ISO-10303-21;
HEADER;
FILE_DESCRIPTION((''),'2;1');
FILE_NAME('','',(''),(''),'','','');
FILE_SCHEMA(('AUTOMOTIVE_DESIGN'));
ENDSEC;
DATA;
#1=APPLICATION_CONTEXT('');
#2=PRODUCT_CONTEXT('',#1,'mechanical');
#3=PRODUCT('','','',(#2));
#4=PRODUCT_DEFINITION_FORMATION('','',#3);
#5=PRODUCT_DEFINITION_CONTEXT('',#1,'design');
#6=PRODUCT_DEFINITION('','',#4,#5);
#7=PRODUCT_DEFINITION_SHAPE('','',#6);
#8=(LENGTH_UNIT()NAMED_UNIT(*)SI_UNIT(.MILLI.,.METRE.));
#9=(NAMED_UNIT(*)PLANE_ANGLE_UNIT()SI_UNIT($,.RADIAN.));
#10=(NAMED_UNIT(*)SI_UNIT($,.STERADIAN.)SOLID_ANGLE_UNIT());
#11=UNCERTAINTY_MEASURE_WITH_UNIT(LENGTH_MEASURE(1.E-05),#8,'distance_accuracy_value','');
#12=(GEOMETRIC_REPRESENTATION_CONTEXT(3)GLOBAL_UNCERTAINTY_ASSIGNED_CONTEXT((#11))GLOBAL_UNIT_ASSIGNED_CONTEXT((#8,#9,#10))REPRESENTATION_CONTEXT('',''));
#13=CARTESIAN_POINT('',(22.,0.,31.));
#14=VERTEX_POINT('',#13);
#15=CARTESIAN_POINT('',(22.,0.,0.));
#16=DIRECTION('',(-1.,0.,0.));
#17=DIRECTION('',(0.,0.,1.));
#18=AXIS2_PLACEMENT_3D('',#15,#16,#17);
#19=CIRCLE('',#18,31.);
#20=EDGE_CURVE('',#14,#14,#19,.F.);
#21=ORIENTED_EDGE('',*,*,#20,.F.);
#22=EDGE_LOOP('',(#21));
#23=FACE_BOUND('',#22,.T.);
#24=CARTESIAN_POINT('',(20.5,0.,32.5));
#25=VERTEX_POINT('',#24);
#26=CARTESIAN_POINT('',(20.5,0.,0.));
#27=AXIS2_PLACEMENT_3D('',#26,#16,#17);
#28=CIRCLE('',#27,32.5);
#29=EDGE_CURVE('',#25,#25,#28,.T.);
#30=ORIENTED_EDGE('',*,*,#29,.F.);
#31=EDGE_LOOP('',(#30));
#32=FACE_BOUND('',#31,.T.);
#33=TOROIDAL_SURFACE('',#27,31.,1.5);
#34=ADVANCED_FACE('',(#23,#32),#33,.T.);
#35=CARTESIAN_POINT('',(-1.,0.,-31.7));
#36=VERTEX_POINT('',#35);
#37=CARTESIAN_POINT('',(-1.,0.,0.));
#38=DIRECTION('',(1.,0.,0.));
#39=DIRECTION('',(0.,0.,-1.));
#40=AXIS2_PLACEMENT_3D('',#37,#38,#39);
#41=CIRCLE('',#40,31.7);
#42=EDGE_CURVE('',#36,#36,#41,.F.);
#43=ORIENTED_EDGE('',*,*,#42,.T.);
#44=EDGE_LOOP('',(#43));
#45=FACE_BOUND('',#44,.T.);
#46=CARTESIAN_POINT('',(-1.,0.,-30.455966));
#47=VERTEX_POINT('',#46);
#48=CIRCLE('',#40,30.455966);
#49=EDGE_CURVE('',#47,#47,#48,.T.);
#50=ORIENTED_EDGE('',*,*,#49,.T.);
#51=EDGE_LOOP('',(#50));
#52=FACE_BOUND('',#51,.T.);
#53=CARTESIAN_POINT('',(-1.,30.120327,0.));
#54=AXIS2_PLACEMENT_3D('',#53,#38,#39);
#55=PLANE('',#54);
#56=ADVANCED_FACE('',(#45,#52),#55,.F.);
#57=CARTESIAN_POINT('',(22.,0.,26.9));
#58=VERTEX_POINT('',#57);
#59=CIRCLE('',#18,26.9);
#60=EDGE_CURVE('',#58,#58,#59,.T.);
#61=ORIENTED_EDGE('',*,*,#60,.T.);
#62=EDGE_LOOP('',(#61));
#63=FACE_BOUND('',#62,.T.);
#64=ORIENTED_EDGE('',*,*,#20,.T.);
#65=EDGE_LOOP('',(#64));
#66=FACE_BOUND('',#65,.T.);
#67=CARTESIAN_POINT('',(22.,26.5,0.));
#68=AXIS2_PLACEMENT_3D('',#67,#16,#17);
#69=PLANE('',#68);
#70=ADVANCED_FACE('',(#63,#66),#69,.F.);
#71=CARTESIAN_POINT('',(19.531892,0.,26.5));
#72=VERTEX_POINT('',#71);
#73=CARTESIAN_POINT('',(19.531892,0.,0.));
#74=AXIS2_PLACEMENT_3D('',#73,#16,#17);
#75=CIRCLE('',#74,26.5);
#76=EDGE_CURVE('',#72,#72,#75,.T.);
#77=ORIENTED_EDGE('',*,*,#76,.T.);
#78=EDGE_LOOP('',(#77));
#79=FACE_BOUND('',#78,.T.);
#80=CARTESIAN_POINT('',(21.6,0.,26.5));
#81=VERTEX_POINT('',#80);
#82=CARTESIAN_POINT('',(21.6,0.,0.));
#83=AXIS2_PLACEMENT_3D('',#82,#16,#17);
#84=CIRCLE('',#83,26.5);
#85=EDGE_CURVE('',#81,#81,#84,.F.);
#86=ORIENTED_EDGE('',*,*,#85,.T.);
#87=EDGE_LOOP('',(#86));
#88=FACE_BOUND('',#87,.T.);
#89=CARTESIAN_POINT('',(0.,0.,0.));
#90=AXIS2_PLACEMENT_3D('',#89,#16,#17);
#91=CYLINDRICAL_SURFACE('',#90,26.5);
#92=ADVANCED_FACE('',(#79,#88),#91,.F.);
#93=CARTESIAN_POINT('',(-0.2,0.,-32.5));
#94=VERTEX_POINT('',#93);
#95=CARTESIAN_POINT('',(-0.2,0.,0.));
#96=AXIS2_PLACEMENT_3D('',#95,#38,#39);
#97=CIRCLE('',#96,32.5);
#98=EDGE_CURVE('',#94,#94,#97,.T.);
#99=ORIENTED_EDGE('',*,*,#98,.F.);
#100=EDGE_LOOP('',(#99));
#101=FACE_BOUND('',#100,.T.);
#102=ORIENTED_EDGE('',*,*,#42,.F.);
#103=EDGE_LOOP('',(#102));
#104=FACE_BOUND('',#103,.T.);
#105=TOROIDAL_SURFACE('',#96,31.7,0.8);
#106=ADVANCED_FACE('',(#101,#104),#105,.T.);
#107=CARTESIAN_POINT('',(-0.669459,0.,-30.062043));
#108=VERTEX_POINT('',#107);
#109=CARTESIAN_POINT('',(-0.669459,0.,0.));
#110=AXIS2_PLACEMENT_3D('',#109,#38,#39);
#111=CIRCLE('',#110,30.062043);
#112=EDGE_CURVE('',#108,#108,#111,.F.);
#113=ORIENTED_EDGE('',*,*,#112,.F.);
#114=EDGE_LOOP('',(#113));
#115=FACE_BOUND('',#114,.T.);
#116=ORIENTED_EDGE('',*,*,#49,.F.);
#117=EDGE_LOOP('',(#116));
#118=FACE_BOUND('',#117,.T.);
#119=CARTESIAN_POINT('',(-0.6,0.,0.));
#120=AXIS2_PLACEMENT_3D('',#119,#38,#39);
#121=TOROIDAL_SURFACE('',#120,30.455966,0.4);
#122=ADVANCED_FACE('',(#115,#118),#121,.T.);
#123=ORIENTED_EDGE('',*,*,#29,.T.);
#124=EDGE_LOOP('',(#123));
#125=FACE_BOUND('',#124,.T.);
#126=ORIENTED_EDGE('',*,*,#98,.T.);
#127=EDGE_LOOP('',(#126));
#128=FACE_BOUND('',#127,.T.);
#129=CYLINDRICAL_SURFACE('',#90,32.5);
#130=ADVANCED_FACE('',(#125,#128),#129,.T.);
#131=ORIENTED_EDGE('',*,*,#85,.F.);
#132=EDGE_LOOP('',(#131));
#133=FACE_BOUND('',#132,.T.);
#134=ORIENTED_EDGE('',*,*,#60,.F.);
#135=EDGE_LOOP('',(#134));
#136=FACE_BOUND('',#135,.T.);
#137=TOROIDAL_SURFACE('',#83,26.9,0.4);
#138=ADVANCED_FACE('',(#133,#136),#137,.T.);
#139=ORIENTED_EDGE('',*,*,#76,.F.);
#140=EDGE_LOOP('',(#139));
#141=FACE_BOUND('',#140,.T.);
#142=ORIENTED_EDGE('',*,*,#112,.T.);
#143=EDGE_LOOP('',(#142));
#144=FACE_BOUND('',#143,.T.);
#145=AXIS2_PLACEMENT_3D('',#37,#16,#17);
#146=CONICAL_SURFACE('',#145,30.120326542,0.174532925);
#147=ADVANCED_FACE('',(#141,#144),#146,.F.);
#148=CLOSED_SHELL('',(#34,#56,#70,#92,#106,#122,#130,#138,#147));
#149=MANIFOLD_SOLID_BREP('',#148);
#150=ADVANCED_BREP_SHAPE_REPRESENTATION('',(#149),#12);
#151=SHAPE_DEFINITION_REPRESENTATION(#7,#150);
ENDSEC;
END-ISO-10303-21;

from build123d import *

# Parameters (mm, degrees)
FILLET1_R = 1.5
FILLET2_R = 0.8
FILLET3_R = 0.4


with BuildPart() as part:
    # Sketch1 → Revolve1 (revolve)
    with BuildSketch(Plane.XY):
        Polygon((22, 26.5), (22, 32.5), (-1, 32.5), (-1, 30.120326542), (19.5318921, 26.5), align=None)
    revolve(axis=Axis((0, 0, 0), (1, 0, 0)))

    # Fillet1
    fillet1_edges = [part.edges().sort_by_distance(p)[0] for p in [
        (22, -32.5, 0),
    ]]
    fillet(fillet1_edges, radius=FILLET1_R)

    # Fillet2
    fillet2_edges = [part.edges().sort_by_distance(p)[0] for p in [
        (-1, -32.5, 0),
    ]]
    fillet(fillet2_edges, radius=FILLET2_R)

    # Fillet3
    fillet3_edges = [part.edges().sort_by_distance(p)[0] for p in [
        (22, -26.5, 0),
        (-1, -30.120326542, 0),
    ]]
    fillet(fillet3_edges, radius=FILLET3_R)


solid = part.part
